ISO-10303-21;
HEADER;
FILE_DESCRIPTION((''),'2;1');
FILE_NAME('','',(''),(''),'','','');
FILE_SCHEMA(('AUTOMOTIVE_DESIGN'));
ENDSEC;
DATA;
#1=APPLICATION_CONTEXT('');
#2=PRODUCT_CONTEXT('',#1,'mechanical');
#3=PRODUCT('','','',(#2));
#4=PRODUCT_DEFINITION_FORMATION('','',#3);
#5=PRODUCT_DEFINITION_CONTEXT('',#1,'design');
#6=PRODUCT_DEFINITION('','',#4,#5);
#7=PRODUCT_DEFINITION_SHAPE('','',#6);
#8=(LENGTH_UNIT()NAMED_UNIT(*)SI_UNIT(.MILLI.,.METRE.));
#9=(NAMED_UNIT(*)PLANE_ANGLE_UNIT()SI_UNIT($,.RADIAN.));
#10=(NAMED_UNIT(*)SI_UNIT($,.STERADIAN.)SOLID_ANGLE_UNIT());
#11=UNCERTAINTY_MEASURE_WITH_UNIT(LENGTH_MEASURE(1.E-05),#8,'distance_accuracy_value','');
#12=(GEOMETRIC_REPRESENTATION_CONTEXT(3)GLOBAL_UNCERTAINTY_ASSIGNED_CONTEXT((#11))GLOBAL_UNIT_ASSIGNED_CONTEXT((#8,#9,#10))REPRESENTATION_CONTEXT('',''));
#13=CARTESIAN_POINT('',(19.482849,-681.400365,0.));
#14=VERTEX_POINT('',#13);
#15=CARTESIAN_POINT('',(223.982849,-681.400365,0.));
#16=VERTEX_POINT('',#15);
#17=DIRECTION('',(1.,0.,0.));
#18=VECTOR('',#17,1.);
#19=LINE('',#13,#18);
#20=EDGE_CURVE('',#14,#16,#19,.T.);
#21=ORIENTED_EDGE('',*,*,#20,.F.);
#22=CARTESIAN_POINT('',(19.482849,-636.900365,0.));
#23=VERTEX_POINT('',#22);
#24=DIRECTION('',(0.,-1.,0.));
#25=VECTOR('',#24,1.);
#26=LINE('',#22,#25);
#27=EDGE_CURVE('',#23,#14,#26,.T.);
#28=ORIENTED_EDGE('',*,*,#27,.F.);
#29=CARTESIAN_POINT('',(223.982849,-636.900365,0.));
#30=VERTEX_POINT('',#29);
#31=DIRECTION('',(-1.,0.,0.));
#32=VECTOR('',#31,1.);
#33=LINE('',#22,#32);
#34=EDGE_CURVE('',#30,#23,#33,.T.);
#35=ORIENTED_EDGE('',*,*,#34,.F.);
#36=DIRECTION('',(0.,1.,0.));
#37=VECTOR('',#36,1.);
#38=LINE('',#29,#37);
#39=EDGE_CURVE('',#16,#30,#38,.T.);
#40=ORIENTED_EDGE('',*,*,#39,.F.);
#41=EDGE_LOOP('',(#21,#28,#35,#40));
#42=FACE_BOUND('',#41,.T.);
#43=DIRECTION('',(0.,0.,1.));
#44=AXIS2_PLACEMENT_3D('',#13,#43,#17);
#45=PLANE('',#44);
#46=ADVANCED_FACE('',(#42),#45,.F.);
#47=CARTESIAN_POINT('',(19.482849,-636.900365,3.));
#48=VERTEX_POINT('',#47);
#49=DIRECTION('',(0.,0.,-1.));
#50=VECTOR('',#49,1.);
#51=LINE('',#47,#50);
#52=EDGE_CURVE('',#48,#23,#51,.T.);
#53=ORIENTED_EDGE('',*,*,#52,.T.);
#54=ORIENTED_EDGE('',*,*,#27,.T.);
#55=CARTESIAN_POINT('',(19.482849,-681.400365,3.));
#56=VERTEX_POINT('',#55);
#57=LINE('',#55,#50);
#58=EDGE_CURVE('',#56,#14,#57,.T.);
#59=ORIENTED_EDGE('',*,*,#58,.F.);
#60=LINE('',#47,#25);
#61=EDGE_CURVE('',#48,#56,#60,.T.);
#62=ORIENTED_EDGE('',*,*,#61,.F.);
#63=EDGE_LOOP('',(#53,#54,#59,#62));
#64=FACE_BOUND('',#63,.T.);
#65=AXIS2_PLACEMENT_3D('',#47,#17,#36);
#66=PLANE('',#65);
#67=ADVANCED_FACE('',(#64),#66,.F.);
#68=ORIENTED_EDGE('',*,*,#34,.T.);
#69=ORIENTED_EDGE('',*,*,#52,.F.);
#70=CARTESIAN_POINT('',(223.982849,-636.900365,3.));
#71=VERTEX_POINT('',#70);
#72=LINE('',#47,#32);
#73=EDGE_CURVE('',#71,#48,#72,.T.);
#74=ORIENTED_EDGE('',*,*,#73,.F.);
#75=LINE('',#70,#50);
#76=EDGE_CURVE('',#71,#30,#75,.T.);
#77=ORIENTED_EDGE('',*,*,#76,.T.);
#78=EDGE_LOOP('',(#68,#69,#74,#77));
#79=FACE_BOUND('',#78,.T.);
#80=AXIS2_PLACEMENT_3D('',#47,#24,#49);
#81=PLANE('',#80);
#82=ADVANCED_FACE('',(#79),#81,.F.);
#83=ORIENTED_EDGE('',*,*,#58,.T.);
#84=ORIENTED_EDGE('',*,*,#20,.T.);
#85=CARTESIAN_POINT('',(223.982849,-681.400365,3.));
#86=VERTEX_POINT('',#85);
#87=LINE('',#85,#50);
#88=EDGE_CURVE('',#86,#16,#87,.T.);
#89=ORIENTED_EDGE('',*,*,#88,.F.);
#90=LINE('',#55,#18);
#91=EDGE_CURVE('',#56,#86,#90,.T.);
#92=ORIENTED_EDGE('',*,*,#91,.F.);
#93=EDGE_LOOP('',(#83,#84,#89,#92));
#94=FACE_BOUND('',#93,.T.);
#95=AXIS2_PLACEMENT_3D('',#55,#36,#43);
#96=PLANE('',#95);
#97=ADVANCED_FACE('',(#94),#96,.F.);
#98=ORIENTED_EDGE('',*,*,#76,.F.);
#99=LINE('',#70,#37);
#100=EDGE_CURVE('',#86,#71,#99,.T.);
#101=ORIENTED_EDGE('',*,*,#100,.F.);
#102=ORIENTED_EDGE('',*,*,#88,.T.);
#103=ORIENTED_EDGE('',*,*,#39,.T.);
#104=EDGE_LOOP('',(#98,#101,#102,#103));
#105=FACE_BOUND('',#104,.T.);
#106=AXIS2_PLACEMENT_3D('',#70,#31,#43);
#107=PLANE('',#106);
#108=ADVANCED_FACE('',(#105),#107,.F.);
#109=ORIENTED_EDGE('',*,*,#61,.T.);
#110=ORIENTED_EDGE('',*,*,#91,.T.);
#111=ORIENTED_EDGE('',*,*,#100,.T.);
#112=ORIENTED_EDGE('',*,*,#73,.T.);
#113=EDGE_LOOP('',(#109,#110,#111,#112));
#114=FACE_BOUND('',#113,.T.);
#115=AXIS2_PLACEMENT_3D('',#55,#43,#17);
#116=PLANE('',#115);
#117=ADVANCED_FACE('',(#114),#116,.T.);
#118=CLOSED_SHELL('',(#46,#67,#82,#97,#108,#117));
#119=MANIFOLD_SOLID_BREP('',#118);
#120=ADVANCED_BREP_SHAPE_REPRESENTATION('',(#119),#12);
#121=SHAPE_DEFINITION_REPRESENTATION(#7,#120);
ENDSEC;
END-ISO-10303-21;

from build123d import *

# Parameters (mm, degrees)
ESQUISSE1_W        = 204.5
ESQUISSE1_H        = 44.5
BOSS_EXTRU_1_DEPTH = 3


with BuildPart() as part:
    # Esquisse1 → Boss.-Extru.1 (new body)
    with BuildSketch(Plane.XY):
        with Locations((121.732849384, -659.15036528)):
            Rectangle(ESQUISSE1_W, ESQUISSE1_H)
    extrude(amount=BOSS_EXTRU_1_DEPTH)


solid = part.part
